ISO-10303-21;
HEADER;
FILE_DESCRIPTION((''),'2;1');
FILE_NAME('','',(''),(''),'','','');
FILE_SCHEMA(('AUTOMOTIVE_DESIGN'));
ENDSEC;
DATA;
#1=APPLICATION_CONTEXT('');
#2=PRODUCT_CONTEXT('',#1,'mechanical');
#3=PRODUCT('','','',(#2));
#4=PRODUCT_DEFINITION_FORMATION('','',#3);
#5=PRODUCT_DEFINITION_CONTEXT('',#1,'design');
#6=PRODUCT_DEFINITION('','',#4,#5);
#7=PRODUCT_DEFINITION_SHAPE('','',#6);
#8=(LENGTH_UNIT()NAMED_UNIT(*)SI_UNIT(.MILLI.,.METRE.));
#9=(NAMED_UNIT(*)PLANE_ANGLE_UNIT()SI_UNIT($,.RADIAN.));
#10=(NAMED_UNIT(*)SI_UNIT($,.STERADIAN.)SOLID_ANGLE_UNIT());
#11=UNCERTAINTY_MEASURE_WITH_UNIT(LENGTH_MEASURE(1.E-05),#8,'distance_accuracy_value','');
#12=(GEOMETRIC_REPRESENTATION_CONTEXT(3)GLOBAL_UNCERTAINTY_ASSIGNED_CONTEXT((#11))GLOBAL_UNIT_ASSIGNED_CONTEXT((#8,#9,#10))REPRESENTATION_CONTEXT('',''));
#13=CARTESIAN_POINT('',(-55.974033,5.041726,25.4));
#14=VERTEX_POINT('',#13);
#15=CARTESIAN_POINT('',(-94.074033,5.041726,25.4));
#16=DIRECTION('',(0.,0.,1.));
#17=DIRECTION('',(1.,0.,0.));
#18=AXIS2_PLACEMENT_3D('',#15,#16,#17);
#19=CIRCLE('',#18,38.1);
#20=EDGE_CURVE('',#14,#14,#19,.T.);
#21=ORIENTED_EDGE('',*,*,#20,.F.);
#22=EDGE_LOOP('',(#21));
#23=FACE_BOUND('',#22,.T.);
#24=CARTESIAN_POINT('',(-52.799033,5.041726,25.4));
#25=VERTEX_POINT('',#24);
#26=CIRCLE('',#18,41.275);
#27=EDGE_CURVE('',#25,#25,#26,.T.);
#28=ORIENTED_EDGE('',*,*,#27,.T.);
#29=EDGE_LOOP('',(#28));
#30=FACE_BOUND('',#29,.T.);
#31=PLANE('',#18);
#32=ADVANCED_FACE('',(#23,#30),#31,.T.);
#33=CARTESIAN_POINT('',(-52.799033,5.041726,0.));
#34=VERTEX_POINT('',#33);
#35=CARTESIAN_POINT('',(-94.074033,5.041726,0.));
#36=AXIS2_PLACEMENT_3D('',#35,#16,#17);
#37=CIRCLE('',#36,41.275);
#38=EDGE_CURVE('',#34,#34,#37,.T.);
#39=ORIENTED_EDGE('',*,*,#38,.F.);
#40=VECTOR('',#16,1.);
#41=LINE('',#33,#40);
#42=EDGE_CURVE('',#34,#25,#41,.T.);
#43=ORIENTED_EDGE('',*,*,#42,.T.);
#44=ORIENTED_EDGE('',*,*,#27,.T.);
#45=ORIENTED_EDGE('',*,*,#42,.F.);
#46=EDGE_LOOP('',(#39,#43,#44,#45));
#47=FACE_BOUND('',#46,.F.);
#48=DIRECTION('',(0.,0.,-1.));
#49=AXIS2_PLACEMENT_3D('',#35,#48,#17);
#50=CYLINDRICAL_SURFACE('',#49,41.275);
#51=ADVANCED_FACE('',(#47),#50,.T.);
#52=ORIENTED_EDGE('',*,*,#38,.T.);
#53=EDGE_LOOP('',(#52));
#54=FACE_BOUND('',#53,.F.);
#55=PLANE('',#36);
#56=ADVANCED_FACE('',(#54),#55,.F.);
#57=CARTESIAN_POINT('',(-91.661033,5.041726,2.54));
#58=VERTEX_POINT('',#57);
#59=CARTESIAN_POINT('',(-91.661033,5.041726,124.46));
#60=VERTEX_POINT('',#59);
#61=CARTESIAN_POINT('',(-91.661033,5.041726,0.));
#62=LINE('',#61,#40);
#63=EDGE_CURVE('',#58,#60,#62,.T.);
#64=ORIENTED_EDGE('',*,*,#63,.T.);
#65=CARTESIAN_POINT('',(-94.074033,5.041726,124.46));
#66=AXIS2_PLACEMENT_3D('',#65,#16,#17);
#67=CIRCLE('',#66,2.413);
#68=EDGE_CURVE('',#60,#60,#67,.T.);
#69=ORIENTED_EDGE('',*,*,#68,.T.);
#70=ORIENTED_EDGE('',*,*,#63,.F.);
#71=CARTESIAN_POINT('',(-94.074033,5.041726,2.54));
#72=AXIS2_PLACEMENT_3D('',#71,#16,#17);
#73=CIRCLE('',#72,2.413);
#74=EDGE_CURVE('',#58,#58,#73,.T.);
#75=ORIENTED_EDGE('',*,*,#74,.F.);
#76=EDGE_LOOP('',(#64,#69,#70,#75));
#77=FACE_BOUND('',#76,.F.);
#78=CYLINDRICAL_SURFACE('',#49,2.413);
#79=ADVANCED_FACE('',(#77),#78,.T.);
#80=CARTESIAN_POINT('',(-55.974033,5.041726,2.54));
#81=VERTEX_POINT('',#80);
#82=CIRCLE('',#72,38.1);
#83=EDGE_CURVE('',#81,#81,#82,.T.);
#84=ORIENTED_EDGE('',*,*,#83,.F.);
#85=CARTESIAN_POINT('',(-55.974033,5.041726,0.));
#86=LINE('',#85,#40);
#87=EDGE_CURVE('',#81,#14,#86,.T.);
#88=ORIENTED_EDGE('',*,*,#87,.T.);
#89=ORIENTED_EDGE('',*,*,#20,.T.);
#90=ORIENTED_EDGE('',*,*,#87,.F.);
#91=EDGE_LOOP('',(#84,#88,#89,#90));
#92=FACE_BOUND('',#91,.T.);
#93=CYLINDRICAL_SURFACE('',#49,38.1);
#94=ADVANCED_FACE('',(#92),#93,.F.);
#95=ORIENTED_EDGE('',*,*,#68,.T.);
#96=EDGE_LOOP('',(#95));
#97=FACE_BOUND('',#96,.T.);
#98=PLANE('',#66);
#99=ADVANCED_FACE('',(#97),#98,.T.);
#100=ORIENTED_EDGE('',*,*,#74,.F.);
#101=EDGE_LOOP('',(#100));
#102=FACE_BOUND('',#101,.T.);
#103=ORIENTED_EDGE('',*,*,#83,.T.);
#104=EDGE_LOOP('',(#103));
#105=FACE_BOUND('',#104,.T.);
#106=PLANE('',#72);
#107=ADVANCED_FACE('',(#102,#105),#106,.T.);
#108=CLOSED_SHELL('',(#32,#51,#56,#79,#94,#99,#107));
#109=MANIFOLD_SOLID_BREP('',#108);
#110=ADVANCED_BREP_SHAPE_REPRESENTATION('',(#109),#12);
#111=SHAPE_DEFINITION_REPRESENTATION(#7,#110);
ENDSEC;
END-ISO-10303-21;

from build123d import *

# Parameters (mm, degrees)
F0_R     = 38.1
F0_R_2   = 2.413
F1_DEPTH = 2.54
F0_R_3   = 41.275
F2_DEPTH = 25.4
F3_R     = 2.413
F4_DEPTH = 124.46


with BuildPart() as f1:
    # F0 (on Top) → F1 (new body)
    with BuildSketch(Plane.XY):
        with Locations((-94.074033, 5.041726)):
            Circle(F0_R)
        with Locations((-94.074033, 5.041726)):
            Circle(F0_R_2, mode=Mode.SUBTRACT)
    extrude(amount=F1_DEPTH)

    # F0 (on Top) → F2 (join)
    with BuildSketch(Plane.XY):
        with Locations((-94.074033, 5.041726)):
            Circle(F0_R_3)
        with Locations((-94.074033, 5.041726)):
            Circle(F0_R, mode=Mode.SUBTRACT)
    extrude(amount=F2_DEPTH)

    # F3 (on face) → F4 (join)
    with BuildSketch(Plane.XY):
        with Locations((-94.074033, 5.041726)):
            Circle(F3_R)
    extrude(amount=F4_DEPTH)


solid = f1.part
